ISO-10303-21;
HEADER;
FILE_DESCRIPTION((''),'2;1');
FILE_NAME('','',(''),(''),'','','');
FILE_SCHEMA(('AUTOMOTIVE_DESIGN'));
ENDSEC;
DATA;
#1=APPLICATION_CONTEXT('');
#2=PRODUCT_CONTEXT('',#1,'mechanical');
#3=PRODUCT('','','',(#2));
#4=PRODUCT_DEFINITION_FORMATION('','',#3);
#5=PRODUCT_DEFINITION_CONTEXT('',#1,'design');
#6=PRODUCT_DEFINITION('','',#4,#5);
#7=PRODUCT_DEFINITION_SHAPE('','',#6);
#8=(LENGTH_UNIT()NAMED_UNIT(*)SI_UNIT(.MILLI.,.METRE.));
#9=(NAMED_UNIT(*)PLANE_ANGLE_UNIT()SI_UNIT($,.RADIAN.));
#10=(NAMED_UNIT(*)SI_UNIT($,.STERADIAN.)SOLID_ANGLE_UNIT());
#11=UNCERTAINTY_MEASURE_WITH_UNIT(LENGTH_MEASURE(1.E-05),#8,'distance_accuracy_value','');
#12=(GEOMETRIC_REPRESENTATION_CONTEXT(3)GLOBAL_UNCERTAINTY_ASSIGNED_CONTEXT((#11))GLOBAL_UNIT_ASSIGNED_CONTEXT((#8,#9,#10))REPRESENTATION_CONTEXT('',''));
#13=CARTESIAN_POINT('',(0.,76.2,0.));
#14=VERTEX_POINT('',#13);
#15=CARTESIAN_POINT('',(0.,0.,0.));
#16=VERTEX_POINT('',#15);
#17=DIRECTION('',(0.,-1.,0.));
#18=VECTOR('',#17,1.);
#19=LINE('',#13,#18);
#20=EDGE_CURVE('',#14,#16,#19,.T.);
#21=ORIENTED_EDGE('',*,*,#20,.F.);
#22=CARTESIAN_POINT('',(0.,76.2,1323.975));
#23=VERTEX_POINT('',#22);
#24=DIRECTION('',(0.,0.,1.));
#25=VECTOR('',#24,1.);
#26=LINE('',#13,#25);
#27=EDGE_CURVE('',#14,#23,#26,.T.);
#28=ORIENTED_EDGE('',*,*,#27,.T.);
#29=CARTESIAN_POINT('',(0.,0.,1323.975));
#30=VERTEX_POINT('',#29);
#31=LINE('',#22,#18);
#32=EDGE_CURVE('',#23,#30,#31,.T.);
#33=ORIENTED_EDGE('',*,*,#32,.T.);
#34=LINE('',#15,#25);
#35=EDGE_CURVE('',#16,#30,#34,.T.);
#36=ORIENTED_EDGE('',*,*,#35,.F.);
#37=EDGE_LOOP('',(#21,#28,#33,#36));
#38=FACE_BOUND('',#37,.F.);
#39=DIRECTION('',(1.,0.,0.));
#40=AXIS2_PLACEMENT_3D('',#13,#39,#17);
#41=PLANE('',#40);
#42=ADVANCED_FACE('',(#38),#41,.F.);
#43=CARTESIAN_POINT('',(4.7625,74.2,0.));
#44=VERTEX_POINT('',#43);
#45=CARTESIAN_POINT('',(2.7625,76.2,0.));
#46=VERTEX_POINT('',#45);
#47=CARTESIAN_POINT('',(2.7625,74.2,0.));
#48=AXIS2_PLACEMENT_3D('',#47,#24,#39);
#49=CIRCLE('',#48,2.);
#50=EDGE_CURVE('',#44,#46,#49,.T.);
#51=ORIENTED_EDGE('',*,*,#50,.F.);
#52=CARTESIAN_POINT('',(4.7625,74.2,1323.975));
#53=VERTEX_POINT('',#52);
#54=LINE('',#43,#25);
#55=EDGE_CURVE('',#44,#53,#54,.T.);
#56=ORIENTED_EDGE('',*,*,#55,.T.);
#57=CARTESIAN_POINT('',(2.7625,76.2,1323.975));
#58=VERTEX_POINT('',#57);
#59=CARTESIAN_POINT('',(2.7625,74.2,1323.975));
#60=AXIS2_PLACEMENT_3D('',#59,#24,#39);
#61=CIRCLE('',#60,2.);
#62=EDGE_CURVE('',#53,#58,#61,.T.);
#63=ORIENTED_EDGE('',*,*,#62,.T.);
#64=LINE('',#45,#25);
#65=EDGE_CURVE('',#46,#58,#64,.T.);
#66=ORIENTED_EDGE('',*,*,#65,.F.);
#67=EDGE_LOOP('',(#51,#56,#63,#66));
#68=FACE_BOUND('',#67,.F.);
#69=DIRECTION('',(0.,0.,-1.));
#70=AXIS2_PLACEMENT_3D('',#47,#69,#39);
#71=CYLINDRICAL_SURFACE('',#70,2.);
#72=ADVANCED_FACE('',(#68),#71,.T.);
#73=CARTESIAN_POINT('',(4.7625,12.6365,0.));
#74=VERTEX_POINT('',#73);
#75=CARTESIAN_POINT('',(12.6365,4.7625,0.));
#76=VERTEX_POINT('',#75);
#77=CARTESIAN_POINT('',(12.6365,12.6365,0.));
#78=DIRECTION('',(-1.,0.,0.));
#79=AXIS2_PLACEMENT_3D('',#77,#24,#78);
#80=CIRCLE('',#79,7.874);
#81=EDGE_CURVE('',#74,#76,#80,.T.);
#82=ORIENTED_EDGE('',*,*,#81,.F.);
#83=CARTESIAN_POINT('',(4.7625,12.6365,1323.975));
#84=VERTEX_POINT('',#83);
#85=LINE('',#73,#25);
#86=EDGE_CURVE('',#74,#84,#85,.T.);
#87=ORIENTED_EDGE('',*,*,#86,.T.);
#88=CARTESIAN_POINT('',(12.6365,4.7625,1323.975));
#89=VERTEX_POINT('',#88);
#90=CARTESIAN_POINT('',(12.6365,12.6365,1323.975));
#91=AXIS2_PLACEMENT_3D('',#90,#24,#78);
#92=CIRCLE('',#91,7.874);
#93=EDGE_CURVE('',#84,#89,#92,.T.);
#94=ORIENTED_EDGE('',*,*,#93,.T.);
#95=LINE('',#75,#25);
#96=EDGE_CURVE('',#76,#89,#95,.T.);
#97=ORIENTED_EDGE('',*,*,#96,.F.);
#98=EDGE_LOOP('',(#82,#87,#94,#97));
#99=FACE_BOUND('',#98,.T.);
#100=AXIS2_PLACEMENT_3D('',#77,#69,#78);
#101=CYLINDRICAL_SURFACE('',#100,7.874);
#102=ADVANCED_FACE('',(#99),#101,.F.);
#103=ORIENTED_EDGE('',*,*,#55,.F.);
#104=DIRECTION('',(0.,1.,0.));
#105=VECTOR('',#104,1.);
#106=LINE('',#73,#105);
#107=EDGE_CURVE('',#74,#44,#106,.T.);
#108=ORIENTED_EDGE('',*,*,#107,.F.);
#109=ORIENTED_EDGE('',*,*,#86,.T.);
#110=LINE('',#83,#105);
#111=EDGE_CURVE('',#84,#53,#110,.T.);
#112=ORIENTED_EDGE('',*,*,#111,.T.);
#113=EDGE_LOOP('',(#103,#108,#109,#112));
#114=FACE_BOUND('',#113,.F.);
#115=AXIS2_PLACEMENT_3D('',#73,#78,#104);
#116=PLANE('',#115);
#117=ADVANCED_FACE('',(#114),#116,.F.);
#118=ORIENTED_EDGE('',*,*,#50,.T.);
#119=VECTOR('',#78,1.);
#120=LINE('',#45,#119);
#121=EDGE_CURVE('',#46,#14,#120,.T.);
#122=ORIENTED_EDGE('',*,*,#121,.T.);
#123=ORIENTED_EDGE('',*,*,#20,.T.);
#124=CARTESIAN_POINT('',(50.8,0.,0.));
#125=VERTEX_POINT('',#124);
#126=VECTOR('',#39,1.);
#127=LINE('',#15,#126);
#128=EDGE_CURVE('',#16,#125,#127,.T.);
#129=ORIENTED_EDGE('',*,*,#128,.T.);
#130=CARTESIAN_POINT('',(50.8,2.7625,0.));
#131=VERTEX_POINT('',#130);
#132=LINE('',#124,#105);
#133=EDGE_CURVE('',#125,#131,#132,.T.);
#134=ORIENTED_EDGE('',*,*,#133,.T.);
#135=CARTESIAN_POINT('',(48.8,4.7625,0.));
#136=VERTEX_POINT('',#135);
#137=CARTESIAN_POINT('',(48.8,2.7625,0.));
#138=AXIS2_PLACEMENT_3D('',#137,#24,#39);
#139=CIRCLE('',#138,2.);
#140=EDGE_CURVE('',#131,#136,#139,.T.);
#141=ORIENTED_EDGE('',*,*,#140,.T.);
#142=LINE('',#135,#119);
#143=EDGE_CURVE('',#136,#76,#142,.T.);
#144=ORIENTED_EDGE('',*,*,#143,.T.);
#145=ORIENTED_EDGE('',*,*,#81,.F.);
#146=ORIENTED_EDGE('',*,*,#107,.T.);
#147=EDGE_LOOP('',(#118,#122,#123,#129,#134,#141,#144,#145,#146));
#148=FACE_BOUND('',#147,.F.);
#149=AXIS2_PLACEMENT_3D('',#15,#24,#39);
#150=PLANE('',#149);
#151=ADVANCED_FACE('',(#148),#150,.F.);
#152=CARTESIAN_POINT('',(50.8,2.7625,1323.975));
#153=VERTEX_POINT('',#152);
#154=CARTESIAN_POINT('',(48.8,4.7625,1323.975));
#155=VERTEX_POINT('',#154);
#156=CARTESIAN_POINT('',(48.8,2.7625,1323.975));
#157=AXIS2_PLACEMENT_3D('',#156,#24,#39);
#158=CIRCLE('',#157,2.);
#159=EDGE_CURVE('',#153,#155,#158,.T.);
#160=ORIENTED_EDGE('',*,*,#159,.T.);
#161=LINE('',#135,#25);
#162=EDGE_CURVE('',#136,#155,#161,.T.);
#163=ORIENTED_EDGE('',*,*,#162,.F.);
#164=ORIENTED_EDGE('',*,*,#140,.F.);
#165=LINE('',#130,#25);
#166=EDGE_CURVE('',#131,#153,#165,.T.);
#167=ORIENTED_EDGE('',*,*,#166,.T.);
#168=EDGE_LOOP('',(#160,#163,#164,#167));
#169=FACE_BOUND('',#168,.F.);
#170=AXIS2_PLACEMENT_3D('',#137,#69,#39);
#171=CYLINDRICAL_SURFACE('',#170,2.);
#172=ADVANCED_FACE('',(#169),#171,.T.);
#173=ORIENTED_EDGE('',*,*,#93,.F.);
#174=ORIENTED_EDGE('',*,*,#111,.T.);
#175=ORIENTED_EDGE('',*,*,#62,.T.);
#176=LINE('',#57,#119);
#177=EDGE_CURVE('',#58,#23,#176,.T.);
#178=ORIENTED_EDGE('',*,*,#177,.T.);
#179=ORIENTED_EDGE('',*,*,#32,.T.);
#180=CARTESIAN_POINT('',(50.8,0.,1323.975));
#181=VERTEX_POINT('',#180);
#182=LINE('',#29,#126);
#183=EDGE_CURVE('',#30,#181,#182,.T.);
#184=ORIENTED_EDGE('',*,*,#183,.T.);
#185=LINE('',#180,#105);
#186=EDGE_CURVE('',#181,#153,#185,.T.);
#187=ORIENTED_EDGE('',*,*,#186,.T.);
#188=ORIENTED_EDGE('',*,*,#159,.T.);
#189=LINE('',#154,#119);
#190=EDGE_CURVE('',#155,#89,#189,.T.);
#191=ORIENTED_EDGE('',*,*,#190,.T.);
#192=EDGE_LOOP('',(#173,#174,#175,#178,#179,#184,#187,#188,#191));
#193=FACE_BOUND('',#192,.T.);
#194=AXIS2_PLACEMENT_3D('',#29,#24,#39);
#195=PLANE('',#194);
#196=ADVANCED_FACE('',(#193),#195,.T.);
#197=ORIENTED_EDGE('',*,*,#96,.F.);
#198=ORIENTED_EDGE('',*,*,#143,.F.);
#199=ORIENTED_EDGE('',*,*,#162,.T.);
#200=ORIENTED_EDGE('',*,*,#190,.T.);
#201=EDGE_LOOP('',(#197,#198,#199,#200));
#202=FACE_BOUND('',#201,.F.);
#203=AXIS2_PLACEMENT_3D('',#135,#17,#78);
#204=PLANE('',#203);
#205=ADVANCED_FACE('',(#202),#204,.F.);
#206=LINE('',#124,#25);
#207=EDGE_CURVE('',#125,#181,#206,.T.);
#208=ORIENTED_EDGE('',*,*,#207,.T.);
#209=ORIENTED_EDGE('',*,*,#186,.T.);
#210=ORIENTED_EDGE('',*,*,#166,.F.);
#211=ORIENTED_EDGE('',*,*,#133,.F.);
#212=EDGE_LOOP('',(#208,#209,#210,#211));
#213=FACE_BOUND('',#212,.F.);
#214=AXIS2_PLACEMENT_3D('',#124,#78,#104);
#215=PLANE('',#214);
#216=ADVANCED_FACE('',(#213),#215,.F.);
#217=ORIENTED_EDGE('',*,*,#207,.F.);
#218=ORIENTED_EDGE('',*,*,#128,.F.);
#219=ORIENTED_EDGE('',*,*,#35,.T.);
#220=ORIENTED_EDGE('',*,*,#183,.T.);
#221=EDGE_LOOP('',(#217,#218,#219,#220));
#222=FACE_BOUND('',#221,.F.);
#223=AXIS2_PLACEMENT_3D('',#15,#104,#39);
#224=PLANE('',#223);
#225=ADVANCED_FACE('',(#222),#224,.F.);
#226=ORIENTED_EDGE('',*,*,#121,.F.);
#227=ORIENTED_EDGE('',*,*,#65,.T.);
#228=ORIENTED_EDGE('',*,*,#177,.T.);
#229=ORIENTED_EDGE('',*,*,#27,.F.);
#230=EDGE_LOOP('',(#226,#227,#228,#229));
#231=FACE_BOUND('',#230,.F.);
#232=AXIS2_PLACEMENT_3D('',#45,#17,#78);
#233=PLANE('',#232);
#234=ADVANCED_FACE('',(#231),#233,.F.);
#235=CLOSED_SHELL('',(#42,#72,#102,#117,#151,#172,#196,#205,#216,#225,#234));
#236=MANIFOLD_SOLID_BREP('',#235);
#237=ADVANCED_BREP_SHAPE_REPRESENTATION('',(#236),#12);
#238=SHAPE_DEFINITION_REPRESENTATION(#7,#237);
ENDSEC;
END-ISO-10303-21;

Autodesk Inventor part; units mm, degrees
ref_plane "YZ Plane" through (0, 0, 0) normal (1, 0, 0) x (0, 1, 0)
ref_plane "Start plane" through (0, 0, 0) normal (0, 0, 1) x (1, 0, 0)
ref_plane "End plane" through (0, 0, 1323.975) normal (0, 0, 1) x (1, 0, 0)
sketch "Sketch" plane through (0, 0, 0) normal (0, 0, 1) x (1, 0, 0)
  line L0 (0, 76.2) -> (0, 0)
  line L1 (0, 0) -> (50.8, 0)
  line L2 (50.8, 0) -> (50.8, 2.7625)
  line L3 (48.8, 4.7625) -> (12.6365, 4.7625)
  line L4 (4.7625, 12.6365) -> (4.7625, 74.2)
  line L5 (2.7625, 76.2) -> (0, 76.2)
  line L6 (-7.0414, 0) -> (21.5385, 0) construction
  line L7 (0, -8.0414) -> (0, 34.5385) construction
  arc A0 (4.7625, 12.6365) -> (12.6365, 4.7625) centre (12.6365, 12.6365) ccw
  arc A1 (50.8, 2.7625) -> (48.8, 4.7625) centre (48.8, 2.7625) ccw
  arc A2 (4.7625, 74.2) -> (2.7625, 76.2) centre (2.7625, 74.2) ccw
  line L8 (0, 93.5453) -> (0, -24.9725) construction
  line L9 (-18.6925, 0) -> (62.8653, 0) construction
  point P0 (50.8, 4.7625)
  point P1 (4.7625, 4.7625)
  point P2 (4.7625, 76.2)
  dimension "d12" = 4.7625
  dimension "d13" = 76.2
  dimension "d14" = 50.8
  dimension "d15" = 0
  dimension "d16" = 4.7625
  dimension "d17" = 0
  dimension "d18" = 7.874
  dimension "d19" = 2
extrude "Body" add sketch "Sketch" along normal up to surface (1323.975 mm away) from surface at 0
sketch "Sketch3" plane through (0, 0, 0) normal (0, 0, 1) x (1, 0, 0)
  line L0 (0, 0) -> (10, 0)
ref_plane "Work Plane3" through (0, 0, 0) normal (0, -1, 0) x (1, 0, 0)
sketch "Sketch4" plane through (0, 0, 0) normal (0, -1, 0) x (1, 0, 0)
  line L0 (-2, 0) -> (12, 0)
  line L1 (-2, 1323.975) -> (12, 1323.975)
  dimension "d23" = 1323.975
equation "\"d12\" = G_T"
equation "\"d13\" = G_H"
equation "\"d14\" = G_W"
equation "\"d16\" = G_T"
equation "\"d18\" = G_IR"
equation "\"d4\" = G_L"
equation "\"G_W\" = 50.8"
equation "\"G_H\" = 76.2"
equation "\"G_T\" = 4.7625"
equation "\"G_ER\" = 4.064"
equation "\"G_IR\" = 7.874"
equation "\"G_L\" = d23"
equation "\"ex\" = 0"
equation "\"ey\" = 0"
equation "\"G_OFFSET_START\" = 0"
equation "\"G_OFFSET_END\" = 0"
equation "\"d21\" = G_OFFSET_END + B_L"
equation "\"B_L\" = 1323.975"
properties part number "ANSI L 3 x 2 x 3_16 00000004"
